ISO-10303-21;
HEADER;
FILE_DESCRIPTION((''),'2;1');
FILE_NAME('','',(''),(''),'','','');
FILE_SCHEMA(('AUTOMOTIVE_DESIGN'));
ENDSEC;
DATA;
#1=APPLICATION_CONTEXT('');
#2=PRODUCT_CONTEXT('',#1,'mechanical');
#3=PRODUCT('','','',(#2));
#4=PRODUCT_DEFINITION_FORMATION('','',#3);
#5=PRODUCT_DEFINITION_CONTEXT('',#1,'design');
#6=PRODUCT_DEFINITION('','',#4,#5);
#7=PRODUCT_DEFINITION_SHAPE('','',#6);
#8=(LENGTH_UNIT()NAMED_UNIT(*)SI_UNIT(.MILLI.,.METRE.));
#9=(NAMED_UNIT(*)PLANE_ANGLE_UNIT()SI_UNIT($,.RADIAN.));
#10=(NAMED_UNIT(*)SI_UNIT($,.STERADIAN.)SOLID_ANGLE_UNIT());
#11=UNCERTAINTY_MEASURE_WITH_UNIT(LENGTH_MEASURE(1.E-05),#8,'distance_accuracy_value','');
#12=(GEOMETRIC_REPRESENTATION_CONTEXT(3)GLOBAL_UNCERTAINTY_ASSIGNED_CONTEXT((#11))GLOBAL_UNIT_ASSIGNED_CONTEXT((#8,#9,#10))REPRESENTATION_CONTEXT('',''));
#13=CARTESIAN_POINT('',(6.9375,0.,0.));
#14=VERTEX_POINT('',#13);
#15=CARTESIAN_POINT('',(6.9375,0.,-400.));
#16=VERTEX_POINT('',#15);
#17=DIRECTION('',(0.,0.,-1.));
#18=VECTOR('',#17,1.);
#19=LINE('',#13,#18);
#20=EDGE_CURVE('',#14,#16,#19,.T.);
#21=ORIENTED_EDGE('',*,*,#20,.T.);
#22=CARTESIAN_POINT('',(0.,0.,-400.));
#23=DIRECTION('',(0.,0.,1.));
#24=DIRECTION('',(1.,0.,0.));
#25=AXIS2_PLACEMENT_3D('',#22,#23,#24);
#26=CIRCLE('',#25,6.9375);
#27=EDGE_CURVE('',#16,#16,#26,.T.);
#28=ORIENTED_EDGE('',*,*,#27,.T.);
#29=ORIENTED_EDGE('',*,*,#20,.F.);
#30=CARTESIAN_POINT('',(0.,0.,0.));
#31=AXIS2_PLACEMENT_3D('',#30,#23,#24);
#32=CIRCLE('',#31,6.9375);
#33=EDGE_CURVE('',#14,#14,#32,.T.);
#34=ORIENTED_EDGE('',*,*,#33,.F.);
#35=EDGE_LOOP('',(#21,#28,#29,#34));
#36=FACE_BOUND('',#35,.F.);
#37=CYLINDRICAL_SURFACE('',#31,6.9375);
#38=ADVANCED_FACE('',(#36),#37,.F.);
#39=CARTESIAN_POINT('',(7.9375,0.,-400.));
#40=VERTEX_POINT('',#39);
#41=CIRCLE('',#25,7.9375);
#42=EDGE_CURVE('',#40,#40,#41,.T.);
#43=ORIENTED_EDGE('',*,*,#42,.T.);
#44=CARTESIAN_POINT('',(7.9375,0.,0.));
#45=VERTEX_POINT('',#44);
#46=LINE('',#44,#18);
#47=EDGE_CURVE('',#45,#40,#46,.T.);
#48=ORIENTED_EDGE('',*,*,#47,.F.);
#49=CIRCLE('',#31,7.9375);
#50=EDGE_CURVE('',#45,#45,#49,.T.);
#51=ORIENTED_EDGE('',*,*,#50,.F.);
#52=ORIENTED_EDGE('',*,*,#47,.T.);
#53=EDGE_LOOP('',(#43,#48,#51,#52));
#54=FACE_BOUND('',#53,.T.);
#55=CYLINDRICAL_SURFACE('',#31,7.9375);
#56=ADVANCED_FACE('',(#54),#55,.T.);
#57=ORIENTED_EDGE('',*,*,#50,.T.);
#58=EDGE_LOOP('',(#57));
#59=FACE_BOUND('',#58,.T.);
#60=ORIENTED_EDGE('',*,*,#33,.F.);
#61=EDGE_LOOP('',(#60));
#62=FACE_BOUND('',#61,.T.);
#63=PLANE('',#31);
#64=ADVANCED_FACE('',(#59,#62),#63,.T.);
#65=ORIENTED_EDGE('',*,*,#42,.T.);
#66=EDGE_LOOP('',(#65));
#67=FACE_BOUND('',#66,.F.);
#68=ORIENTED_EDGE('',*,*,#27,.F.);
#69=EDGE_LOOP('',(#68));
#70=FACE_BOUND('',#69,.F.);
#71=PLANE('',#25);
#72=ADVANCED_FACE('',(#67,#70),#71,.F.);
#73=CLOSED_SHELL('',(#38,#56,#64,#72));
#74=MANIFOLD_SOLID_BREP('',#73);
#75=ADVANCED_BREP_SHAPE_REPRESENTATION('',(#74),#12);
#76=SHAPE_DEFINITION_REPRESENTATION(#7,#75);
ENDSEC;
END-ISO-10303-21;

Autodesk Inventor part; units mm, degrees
ref_plane "YZ Plane" through (0, 0, 0) normal (1, 0, 0) x (0, 1, 0)
ref_plane "XZ Plane" through (0, 0, 0) normal (0, 1, 0) x (-1, 0, 0)
ref_plane "XY Plane" through (0, 0, 0) normal (0, 0, 1) x (1, 0, 0)
sketch "Sketch1" plane through (0, 0, 0) normal (0, 0, 1) x (1, 0, 0)
  circle A0 centre (0, 0) radius 7.9375
  circle A1 centre (0, 0) radius 6.9375
  dimension "d0" = 15.875
  dimension "d3" = 1
extrude "Extrusion1" add sketch "Sketch1" against normal blind 400
properties part number "Barra_5-8_400" material "Steel, Mild"
